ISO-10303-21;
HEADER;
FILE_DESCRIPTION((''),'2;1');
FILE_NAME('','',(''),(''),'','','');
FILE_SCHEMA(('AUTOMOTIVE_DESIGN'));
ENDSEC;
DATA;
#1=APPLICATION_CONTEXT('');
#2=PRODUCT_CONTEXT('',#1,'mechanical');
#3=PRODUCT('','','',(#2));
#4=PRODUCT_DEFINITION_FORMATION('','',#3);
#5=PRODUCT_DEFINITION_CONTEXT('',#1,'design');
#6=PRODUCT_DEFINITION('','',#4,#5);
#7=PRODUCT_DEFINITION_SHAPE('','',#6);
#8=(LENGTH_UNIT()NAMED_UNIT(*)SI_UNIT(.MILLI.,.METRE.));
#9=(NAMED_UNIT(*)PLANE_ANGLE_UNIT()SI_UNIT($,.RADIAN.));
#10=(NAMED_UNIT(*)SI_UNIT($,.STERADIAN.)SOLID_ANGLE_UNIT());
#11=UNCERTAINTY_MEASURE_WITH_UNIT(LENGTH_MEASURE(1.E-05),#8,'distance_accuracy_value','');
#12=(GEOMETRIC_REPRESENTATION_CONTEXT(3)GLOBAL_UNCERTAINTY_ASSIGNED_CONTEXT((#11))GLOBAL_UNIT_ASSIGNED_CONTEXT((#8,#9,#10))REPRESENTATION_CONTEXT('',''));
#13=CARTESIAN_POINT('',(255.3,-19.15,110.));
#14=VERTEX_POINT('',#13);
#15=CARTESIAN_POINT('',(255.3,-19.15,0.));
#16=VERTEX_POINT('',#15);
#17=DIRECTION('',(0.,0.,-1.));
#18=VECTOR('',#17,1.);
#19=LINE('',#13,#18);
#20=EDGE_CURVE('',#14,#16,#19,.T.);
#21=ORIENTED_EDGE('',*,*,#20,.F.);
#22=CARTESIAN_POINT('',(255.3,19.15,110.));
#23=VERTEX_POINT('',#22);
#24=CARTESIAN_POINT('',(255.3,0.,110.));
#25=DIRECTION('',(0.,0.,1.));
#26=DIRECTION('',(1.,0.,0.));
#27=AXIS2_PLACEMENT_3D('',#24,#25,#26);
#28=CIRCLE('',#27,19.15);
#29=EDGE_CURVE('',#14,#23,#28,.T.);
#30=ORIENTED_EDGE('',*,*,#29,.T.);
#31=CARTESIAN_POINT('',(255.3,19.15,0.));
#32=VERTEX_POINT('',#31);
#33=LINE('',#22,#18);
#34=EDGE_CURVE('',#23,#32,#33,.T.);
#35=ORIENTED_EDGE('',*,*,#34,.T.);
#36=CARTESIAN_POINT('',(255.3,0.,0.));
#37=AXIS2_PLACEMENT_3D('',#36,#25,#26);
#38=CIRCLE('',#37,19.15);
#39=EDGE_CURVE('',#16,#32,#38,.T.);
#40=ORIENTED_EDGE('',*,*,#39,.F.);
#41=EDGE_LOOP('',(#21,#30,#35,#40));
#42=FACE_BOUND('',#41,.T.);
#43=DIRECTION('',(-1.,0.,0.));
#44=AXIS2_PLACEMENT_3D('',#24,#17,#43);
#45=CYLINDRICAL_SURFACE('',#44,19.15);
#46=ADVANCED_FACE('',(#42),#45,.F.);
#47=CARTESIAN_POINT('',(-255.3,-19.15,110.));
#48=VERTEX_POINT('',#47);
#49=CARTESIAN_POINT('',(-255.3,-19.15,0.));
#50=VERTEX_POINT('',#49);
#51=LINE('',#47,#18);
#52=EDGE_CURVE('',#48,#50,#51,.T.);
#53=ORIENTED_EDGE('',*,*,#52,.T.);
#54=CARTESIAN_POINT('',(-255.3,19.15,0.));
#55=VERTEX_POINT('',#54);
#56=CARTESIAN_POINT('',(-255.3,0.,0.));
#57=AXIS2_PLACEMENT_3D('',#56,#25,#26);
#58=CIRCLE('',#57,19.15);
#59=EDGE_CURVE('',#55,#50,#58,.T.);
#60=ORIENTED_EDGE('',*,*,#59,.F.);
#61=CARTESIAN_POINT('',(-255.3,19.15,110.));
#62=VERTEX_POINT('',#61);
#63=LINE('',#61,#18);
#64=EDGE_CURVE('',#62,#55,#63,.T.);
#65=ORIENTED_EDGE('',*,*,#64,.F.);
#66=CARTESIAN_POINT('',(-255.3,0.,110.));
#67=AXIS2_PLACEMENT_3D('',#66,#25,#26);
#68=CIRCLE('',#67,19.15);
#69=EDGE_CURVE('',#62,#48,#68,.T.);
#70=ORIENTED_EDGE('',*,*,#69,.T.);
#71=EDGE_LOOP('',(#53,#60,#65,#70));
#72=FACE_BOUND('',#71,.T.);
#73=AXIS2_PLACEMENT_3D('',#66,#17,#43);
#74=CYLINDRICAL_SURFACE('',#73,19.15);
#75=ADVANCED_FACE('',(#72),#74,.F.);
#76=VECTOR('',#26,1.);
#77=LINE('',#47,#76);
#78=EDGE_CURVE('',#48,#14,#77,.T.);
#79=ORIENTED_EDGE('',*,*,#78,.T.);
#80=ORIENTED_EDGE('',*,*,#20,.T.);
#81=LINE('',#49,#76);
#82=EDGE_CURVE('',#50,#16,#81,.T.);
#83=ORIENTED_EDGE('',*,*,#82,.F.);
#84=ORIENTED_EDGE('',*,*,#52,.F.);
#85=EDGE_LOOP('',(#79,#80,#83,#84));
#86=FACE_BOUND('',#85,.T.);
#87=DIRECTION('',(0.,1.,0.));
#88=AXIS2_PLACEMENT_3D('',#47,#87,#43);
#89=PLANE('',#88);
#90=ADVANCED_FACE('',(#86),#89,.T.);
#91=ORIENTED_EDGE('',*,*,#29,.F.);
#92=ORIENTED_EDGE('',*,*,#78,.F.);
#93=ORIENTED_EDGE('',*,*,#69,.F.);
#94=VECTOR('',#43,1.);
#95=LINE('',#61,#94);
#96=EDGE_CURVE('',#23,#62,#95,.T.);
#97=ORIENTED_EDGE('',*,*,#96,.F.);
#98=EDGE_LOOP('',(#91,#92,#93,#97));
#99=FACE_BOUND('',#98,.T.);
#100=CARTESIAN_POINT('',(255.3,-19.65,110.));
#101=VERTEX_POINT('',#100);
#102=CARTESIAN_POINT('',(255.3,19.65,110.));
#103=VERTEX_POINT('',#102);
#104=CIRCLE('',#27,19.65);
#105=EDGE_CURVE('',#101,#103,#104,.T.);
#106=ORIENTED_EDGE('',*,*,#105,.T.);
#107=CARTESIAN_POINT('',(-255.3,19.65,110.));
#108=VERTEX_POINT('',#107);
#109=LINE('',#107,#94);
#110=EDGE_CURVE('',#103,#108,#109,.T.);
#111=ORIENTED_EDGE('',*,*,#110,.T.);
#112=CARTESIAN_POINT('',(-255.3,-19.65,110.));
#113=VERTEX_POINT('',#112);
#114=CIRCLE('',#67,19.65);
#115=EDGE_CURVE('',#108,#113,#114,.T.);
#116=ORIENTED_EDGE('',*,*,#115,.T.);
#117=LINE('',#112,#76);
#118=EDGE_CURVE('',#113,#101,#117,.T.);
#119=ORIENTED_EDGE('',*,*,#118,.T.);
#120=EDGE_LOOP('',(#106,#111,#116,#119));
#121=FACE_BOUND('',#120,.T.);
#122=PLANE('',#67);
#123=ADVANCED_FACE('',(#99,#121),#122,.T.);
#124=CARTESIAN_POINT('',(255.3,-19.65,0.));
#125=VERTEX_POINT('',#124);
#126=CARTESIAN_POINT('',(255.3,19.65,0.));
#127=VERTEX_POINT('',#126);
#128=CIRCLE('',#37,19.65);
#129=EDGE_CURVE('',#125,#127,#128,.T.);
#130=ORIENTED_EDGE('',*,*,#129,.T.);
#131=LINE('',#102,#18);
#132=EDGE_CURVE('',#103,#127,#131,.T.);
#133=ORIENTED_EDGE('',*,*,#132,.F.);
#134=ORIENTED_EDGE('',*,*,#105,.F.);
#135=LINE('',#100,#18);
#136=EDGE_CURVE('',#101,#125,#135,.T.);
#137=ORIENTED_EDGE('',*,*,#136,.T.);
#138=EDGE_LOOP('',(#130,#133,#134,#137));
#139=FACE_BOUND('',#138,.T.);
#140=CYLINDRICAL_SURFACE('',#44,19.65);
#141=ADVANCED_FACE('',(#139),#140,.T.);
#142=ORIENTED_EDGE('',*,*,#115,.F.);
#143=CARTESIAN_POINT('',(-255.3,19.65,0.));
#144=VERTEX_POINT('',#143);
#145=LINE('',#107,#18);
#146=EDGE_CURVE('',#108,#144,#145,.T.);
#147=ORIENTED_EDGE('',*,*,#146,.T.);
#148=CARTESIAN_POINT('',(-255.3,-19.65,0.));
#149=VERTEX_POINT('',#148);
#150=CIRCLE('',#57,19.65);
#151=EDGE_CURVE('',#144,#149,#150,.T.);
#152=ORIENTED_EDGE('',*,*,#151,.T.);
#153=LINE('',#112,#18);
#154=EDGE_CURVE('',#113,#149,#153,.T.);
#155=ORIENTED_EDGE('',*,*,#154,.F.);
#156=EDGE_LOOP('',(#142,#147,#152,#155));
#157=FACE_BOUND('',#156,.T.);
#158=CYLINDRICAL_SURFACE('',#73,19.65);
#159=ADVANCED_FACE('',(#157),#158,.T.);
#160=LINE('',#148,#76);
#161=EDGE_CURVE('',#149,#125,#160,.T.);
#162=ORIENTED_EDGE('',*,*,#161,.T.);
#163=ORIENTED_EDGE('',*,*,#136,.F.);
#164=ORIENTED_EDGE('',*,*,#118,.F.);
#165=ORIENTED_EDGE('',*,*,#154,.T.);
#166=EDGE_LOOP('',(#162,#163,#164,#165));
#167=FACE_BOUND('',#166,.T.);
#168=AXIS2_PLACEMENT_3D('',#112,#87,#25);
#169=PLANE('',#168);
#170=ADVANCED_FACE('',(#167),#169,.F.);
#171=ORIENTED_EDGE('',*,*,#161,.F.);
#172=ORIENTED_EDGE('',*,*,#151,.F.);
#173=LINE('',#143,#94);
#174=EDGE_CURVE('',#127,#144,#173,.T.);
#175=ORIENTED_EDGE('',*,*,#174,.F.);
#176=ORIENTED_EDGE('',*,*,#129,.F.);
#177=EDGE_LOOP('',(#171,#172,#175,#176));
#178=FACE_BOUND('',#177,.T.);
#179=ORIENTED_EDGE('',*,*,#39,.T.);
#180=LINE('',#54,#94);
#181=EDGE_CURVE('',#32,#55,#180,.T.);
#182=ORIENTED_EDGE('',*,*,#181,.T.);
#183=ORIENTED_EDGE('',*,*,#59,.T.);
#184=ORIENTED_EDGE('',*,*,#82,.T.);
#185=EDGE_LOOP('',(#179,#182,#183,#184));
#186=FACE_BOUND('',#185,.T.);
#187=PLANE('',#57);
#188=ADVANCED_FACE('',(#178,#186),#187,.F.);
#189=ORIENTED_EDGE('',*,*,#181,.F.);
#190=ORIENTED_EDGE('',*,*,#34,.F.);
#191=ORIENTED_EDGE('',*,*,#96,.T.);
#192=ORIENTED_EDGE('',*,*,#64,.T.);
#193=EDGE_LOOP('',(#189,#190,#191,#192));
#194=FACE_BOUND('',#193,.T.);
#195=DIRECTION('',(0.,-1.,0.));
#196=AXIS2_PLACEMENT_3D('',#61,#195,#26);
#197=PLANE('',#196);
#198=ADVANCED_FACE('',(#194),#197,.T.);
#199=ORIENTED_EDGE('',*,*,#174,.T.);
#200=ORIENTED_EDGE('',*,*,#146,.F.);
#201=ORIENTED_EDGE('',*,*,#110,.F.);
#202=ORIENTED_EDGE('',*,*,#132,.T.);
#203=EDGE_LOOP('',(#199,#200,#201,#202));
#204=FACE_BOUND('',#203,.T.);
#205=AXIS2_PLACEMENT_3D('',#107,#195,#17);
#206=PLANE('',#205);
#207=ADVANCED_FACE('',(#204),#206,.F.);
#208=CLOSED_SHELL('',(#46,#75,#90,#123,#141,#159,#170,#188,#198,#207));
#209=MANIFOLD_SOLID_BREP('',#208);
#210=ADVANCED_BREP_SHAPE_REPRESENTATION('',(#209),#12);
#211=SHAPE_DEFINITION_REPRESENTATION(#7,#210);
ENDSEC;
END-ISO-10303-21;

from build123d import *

# Parameters (mm, degrees)
BOSS_EXTRUDE1_DEPTH = 110


with BuildPart() as part:
    # Sketch1 → Boss-Extrude1 (new body)
    with BuildSketch(Plane.XY):
        with BuildLine():
            Line((-255.3, 19.65), (255.3, 19.65))
            ThreePointArc((255.3, 19.65), (274.95, 0), (255.3, -19.65))
            Line((255.3, -19.65), (-255.3, -19.65))
            ThreePointArc((-255.3, -19.65), (-274.95, 0), (-255.3, 19.65))
        make_face()
        with BuildLine():
            Line((-255.3, 19.15), (255.3, 19.15))
            ThreePointArc((255.3, 19.15), (274.45, 0), (255.3, -19.15))
            Line((255.3, -19.15), (-255.3, -19.15))
            ThreePointArc((-255.3, -19.15), (-274.45, 0), (-255.3, 19.15))
        make_face(mode=Mode.SUBTRACT)
    extrude(amount=BOSS_EXTRUDE1_DEPTH)


solid = part.part
